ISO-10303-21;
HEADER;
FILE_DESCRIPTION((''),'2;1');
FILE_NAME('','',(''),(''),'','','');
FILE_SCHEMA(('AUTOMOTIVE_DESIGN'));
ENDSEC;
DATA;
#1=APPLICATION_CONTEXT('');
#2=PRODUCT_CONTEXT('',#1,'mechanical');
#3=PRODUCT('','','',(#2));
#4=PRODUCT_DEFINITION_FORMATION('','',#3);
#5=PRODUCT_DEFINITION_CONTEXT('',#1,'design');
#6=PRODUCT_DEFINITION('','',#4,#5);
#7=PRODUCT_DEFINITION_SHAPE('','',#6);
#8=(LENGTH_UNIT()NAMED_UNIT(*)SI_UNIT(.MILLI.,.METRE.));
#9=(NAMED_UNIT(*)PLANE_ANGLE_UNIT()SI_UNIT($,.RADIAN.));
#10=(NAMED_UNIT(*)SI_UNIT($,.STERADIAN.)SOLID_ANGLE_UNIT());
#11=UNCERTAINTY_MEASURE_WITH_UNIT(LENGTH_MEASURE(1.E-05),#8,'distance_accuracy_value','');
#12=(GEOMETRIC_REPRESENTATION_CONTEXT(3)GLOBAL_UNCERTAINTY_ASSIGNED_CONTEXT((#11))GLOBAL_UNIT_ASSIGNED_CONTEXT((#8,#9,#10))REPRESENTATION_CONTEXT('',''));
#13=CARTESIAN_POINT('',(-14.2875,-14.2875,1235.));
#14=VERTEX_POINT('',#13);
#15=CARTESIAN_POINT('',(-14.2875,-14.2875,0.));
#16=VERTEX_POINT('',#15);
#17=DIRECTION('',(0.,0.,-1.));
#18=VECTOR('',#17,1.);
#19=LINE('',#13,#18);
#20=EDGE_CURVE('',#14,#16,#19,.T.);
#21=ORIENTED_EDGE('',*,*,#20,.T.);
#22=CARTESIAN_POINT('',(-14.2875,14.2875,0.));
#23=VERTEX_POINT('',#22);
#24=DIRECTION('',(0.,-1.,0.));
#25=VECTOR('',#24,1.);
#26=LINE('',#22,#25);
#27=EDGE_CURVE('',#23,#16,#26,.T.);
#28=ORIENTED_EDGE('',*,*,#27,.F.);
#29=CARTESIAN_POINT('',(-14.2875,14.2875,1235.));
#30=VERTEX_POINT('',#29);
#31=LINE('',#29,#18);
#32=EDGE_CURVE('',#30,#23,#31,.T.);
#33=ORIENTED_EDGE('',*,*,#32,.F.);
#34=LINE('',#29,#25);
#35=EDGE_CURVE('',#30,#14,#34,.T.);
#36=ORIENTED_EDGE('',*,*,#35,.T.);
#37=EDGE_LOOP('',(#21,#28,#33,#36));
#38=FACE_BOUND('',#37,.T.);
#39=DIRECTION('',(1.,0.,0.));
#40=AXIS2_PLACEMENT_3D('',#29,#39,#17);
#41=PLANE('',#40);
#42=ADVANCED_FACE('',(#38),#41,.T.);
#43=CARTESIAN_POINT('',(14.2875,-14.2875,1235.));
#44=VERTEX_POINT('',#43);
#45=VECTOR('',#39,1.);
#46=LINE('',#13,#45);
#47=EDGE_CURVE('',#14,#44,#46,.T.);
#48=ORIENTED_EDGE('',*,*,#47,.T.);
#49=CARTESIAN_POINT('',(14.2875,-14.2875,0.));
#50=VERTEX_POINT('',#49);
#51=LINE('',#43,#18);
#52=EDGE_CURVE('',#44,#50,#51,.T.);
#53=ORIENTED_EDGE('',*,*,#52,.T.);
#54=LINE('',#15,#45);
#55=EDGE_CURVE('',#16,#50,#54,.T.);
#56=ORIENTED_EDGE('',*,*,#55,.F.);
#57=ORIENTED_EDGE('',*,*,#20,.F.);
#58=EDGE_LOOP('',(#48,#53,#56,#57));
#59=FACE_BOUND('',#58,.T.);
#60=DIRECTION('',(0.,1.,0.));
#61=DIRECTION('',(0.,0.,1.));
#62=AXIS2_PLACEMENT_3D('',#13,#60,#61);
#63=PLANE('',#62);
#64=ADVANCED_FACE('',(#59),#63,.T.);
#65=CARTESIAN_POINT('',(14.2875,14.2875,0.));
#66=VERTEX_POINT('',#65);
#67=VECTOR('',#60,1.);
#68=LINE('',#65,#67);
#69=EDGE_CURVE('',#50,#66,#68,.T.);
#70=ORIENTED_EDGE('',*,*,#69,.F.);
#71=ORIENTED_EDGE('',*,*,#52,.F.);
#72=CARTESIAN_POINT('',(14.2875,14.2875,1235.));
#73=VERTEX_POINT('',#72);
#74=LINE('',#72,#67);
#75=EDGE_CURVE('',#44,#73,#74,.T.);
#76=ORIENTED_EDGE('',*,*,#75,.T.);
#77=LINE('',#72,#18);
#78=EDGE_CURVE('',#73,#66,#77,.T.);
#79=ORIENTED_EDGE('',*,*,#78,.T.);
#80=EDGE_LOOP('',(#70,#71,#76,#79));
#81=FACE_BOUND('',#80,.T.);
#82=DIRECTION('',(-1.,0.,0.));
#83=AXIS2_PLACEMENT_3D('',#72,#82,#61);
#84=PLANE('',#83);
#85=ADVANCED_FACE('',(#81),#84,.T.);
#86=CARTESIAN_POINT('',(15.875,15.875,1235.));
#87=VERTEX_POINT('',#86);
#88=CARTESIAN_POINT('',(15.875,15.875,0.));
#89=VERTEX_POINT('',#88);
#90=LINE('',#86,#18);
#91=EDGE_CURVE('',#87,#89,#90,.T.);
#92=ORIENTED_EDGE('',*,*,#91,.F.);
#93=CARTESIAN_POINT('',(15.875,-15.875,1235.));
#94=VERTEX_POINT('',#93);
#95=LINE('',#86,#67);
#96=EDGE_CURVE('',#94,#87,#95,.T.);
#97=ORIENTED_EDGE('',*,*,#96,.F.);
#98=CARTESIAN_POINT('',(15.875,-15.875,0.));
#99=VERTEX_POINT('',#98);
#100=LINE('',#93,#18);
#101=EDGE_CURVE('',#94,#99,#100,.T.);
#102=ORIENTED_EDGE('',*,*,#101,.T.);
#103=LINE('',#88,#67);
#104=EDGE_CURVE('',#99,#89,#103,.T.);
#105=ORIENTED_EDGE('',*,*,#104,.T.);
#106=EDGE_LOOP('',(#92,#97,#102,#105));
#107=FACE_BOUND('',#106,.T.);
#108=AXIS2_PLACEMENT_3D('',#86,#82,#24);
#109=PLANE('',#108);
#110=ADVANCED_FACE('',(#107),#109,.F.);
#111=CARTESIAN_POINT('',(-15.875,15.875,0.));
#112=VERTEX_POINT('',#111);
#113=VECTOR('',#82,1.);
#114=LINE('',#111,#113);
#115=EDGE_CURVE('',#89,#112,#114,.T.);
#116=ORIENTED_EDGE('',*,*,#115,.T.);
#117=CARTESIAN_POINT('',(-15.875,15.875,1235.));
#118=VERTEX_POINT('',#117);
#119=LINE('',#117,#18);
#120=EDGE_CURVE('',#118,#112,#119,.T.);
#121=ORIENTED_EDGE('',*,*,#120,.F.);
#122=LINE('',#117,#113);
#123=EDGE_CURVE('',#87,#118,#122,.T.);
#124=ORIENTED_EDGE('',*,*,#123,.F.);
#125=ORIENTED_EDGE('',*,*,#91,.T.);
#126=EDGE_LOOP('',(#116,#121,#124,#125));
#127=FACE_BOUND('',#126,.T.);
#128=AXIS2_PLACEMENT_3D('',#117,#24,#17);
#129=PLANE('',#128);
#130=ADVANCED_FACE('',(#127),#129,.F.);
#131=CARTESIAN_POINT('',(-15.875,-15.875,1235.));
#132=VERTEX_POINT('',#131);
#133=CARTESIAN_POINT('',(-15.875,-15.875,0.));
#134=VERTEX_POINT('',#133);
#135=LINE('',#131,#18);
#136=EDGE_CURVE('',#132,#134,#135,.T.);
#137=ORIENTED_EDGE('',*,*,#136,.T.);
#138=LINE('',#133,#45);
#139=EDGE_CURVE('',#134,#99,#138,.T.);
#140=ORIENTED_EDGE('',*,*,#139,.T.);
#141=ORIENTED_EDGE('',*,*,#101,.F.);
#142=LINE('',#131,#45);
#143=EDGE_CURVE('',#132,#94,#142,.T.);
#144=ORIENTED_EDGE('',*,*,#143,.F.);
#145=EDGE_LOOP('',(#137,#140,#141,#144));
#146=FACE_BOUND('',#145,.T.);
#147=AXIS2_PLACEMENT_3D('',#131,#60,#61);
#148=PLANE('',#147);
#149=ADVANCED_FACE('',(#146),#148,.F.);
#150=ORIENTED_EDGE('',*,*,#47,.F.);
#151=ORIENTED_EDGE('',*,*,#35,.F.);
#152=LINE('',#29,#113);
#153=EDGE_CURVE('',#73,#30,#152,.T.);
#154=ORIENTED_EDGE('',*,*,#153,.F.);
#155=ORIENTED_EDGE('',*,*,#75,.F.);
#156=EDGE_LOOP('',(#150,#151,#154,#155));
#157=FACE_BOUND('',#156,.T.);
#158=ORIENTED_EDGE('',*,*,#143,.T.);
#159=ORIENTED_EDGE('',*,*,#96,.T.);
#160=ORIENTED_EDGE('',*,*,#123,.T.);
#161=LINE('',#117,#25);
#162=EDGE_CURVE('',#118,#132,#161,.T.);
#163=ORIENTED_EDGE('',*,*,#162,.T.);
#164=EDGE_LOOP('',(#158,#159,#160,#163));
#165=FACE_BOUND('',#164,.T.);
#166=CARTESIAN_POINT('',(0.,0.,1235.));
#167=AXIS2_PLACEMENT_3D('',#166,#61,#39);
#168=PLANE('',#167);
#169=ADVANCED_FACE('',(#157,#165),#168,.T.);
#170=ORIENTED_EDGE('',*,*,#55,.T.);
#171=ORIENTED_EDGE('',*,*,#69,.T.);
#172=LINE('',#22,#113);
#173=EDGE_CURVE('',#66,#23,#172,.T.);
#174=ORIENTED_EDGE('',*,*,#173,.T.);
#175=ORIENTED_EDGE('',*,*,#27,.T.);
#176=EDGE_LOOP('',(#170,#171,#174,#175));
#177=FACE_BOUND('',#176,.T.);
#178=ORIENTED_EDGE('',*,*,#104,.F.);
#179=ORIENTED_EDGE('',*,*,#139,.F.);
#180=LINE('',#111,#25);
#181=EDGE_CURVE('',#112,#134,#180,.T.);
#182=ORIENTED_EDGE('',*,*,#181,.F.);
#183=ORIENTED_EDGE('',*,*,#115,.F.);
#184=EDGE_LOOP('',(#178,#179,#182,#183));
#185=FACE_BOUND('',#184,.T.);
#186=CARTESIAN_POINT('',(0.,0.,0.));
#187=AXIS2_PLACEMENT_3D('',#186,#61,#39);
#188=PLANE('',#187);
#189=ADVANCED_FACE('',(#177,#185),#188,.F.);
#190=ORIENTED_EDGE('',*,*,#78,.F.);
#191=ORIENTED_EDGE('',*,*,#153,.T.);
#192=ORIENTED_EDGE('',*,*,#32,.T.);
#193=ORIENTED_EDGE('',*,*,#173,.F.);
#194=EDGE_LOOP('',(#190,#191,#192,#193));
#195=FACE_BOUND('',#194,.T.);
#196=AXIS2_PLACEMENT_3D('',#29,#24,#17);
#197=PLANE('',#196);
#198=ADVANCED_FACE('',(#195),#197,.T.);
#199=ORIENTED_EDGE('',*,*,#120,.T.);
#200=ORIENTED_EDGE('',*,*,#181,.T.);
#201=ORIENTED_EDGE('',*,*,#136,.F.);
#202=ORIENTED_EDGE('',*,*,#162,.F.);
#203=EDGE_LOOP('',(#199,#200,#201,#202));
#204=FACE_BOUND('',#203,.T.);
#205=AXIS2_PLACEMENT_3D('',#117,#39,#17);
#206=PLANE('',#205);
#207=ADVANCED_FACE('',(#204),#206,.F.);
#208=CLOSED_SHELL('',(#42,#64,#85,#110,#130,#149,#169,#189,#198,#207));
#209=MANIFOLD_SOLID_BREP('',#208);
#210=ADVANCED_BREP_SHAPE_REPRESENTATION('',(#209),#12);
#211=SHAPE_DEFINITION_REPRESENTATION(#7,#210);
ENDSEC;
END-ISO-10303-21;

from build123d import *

# Parameters (mm, degrees)
SKETCH1_W           = 31.75
SKETCH1_H           = 31.75
SKETCH1_W_2         = 28.575
SKETCH1_H_2         = 28.575
BOSS_EXTRUDE1_DEPTH = 1235


with BuildPart() as part:
    # Sketch1 → Boss-Extrude1 (new body)
    with BuildSketch(Plane.XY):
        Rectangle(SKETCH1_W, SKETCH1_H)
        Rectangle(SKETCH1_W_2, SKETCH1_H_2, mode=Mode.SUBTRACT)
    extrude(amount=BOSS_EXTRUDE1_DEPTH)


solid = part.part
